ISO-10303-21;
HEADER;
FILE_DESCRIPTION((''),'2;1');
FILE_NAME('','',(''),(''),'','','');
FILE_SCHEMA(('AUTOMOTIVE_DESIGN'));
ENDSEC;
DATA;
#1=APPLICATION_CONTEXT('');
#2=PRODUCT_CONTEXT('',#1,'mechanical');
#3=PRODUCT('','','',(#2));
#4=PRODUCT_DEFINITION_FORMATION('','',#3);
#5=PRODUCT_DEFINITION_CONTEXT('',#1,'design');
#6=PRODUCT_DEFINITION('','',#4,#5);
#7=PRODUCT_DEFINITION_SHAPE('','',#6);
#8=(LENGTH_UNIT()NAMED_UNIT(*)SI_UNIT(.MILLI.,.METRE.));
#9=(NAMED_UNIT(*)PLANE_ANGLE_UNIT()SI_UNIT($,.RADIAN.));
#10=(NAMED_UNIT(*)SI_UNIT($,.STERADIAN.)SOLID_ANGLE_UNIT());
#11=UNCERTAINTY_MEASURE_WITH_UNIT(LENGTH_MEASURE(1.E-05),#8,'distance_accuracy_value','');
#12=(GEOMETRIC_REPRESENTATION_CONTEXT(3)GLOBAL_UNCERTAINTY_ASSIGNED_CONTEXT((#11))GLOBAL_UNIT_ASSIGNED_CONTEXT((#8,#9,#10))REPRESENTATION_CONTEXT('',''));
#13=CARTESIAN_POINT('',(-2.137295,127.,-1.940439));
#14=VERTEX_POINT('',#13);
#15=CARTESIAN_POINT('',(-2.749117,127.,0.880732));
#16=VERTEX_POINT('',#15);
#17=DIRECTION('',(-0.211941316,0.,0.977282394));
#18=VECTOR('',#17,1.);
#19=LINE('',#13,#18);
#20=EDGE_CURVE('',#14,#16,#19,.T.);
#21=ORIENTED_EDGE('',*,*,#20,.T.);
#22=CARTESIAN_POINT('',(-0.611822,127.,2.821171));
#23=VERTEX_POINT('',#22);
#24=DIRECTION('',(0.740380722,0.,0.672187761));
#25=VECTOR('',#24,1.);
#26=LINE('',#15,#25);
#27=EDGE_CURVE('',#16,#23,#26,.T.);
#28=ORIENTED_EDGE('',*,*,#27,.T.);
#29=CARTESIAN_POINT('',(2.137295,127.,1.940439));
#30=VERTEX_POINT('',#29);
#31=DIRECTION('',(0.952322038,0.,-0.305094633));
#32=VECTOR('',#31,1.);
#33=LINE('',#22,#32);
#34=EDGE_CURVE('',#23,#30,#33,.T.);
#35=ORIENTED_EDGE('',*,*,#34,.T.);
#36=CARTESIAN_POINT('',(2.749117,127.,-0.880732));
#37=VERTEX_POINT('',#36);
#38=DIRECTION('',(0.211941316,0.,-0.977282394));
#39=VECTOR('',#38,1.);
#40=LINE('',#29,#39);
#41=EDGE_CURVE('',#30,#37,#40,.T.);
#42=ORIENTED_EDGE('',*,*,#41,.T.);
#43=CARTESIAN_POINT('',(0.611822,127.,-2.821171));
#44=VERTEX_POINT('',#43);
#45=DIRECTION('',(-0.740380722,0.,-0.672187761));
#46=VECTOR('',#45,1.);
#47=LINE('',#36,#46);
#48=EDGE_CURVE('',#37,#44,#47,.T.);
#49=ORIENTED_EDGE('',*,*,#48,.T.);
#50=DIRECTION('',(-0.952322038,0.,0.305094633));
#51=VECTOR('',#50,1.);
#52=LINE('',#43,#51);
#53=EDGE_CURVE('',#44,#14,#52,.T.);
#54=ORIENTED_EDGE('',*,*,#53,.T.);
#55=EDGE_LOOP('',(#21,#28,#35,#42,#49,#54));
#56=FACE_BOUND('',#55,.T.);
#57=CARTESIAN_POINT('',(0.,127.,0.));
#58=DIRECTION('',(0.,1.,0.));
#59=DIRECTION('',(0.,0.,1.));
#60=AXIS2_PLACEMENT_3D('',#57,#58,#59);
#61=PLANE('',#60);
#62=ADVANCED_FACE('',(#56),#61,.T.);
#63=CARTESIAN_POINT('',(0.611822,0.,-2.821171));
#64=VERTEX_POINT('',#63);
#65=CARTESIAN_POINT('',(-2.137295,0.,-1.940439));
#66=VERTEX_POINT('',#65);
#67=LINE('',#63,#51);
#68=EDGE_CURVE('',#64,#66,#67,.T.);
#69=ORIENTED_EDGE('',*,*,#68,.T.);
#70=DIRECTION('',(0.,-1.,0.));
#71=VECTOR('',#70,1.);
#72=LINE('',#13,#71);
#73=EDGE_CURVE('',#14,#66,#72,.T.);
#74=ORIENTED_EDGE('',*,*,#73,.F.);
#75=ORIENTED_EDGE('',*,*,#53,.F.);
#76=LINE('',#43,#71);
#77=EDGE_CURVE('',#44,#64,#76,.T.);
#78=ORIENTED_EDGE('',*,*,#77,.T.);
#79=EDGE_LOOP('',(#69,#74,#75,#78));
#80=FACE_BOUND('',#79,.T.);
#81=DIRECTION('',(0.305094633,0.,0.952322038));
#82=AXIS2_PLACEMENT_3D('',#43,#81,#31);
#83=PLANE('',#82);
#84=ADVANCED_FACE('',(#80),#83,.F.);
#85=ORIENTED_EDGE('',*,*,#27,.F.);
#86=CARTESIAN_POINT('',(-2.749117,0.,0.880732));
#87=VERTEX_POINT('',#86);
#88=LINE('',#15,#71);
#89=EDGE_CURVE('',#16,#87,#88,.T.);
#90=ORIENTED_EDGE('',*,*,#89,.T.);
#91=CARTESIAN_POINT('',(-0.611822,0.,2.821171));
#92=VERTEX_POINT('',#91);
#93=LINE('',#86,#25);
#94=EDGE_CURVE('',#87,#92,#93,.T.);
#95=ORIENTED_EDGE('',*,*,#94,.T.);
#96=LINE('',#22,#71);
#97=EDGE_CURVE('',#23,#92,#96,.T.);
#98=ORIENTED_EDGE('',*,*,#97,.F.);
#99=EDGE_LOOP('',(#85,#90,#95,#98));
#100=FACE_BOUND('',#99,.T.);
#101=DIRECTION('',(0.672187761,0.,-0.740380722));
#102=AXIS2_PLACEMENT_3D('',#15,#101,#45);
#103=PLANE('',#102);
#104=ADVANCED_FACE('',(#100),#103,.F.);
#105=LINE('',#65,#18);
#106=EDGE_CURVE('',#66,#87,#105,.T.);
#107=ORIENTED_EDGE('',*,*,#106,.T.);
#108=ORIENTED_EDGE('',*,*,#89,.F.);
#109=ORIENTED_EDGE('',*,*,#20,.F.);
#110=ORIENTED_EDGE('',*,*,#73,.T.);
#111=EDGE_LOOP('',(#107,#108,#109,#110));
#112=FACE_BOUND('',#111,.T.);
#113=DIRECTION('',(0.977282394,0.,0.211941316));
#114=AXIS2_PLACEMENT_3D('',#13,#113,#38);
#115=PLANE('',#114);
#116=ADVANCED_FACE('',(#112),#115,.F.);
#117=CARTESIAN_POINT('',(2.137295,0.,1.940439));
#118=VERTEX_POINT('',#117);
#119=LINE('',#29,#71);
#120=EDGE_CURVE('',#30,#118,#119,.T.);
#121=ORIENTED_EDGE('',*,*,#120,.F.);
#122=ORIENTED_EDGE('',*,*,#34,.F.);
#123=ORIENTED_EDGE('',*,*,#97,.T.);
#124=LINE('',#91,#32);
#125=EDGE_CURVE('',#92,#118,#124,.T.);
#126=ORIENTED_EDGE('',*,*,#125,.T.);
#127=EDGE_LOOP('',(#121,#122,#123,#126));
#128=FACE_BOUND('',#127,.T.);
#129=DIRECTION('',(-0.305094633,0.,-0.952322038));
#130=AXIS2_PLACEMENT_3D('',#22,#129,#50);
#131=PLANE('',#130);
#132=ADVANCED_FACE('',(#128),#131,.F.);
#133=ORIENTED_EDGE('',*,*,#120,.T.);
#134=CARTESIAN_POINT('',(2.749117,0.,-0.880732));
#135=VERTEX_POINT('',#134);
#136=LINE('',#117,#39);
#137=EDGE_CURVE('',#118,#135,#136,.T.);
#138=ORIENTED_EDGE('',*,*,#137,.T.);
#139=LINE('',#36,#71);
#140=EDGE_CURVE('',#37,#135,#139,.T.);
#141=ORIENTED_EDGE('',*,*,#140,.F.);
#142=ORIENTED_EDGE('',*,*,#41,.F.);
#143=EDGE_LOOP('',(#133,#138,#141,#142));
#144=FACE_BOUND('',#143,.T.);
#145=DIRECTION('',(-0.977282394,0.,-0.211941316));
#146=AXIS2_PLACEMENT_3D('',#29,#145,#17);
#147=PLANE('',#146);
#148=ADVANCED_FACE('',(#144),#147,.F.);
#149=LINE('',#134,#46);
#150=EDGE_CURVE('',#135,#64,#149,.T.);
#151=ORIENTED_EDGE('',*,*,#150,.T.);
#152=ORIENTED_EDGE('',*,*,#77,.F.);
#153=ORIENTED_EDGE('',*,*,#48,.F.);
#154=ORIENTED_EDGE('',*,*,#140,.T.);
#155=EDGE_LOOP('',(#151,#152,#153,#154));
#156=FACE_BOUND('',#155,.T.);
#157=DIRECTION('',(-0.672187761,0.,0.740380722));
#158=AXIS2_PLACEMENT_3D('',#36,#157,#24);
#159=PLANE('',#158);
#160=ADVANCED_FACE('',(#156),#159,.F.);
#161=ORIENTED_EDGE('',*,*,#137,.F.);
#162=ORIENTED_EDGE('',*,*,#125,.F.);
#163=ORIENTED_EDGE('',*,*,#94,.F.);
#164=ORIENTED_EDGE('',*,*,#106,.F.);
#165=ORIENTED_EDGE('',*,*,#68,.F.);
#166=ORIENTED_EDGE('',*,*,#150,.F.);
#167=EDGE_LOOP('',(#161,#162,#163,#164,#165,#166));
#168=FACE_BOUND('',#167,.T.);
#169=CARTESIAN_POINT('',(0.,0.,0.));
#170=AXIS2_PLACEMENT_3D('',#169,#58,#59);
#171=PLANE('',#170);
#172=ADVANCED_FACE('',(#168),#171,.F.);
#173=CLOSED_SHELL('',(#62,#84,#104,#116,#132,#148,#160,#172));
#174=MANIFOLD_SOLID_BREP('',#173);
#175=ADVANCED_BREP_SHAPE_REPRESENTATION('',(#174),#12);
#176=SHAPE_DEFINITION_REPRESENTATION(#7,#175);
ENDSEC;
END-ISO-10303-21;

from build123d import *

# Parameters (mm, degrees)
BOSS_EXTRUDE1_DEPTH = 127


with BuildPart() as part:
    # Sketch2 → Boss-Extrude1 (new body)
    with BuildSketch(Plane(origin=(0, 0, 0), x_dir=(1, 0, 0), z_dir=(0, 1, 0))):
        Polygon((2.137295047, -1.940438924), (2.749116926, 0.880732344), (0.611821879, 2.821171268), (-2.137295047, 1.940438924), (-2.749116926, -0.880732344), (-0.611821879, -2.821171268), align=None)
    extrude(amount=BOSS_EXTRUDE1_DEPTH)


solid = part.part
